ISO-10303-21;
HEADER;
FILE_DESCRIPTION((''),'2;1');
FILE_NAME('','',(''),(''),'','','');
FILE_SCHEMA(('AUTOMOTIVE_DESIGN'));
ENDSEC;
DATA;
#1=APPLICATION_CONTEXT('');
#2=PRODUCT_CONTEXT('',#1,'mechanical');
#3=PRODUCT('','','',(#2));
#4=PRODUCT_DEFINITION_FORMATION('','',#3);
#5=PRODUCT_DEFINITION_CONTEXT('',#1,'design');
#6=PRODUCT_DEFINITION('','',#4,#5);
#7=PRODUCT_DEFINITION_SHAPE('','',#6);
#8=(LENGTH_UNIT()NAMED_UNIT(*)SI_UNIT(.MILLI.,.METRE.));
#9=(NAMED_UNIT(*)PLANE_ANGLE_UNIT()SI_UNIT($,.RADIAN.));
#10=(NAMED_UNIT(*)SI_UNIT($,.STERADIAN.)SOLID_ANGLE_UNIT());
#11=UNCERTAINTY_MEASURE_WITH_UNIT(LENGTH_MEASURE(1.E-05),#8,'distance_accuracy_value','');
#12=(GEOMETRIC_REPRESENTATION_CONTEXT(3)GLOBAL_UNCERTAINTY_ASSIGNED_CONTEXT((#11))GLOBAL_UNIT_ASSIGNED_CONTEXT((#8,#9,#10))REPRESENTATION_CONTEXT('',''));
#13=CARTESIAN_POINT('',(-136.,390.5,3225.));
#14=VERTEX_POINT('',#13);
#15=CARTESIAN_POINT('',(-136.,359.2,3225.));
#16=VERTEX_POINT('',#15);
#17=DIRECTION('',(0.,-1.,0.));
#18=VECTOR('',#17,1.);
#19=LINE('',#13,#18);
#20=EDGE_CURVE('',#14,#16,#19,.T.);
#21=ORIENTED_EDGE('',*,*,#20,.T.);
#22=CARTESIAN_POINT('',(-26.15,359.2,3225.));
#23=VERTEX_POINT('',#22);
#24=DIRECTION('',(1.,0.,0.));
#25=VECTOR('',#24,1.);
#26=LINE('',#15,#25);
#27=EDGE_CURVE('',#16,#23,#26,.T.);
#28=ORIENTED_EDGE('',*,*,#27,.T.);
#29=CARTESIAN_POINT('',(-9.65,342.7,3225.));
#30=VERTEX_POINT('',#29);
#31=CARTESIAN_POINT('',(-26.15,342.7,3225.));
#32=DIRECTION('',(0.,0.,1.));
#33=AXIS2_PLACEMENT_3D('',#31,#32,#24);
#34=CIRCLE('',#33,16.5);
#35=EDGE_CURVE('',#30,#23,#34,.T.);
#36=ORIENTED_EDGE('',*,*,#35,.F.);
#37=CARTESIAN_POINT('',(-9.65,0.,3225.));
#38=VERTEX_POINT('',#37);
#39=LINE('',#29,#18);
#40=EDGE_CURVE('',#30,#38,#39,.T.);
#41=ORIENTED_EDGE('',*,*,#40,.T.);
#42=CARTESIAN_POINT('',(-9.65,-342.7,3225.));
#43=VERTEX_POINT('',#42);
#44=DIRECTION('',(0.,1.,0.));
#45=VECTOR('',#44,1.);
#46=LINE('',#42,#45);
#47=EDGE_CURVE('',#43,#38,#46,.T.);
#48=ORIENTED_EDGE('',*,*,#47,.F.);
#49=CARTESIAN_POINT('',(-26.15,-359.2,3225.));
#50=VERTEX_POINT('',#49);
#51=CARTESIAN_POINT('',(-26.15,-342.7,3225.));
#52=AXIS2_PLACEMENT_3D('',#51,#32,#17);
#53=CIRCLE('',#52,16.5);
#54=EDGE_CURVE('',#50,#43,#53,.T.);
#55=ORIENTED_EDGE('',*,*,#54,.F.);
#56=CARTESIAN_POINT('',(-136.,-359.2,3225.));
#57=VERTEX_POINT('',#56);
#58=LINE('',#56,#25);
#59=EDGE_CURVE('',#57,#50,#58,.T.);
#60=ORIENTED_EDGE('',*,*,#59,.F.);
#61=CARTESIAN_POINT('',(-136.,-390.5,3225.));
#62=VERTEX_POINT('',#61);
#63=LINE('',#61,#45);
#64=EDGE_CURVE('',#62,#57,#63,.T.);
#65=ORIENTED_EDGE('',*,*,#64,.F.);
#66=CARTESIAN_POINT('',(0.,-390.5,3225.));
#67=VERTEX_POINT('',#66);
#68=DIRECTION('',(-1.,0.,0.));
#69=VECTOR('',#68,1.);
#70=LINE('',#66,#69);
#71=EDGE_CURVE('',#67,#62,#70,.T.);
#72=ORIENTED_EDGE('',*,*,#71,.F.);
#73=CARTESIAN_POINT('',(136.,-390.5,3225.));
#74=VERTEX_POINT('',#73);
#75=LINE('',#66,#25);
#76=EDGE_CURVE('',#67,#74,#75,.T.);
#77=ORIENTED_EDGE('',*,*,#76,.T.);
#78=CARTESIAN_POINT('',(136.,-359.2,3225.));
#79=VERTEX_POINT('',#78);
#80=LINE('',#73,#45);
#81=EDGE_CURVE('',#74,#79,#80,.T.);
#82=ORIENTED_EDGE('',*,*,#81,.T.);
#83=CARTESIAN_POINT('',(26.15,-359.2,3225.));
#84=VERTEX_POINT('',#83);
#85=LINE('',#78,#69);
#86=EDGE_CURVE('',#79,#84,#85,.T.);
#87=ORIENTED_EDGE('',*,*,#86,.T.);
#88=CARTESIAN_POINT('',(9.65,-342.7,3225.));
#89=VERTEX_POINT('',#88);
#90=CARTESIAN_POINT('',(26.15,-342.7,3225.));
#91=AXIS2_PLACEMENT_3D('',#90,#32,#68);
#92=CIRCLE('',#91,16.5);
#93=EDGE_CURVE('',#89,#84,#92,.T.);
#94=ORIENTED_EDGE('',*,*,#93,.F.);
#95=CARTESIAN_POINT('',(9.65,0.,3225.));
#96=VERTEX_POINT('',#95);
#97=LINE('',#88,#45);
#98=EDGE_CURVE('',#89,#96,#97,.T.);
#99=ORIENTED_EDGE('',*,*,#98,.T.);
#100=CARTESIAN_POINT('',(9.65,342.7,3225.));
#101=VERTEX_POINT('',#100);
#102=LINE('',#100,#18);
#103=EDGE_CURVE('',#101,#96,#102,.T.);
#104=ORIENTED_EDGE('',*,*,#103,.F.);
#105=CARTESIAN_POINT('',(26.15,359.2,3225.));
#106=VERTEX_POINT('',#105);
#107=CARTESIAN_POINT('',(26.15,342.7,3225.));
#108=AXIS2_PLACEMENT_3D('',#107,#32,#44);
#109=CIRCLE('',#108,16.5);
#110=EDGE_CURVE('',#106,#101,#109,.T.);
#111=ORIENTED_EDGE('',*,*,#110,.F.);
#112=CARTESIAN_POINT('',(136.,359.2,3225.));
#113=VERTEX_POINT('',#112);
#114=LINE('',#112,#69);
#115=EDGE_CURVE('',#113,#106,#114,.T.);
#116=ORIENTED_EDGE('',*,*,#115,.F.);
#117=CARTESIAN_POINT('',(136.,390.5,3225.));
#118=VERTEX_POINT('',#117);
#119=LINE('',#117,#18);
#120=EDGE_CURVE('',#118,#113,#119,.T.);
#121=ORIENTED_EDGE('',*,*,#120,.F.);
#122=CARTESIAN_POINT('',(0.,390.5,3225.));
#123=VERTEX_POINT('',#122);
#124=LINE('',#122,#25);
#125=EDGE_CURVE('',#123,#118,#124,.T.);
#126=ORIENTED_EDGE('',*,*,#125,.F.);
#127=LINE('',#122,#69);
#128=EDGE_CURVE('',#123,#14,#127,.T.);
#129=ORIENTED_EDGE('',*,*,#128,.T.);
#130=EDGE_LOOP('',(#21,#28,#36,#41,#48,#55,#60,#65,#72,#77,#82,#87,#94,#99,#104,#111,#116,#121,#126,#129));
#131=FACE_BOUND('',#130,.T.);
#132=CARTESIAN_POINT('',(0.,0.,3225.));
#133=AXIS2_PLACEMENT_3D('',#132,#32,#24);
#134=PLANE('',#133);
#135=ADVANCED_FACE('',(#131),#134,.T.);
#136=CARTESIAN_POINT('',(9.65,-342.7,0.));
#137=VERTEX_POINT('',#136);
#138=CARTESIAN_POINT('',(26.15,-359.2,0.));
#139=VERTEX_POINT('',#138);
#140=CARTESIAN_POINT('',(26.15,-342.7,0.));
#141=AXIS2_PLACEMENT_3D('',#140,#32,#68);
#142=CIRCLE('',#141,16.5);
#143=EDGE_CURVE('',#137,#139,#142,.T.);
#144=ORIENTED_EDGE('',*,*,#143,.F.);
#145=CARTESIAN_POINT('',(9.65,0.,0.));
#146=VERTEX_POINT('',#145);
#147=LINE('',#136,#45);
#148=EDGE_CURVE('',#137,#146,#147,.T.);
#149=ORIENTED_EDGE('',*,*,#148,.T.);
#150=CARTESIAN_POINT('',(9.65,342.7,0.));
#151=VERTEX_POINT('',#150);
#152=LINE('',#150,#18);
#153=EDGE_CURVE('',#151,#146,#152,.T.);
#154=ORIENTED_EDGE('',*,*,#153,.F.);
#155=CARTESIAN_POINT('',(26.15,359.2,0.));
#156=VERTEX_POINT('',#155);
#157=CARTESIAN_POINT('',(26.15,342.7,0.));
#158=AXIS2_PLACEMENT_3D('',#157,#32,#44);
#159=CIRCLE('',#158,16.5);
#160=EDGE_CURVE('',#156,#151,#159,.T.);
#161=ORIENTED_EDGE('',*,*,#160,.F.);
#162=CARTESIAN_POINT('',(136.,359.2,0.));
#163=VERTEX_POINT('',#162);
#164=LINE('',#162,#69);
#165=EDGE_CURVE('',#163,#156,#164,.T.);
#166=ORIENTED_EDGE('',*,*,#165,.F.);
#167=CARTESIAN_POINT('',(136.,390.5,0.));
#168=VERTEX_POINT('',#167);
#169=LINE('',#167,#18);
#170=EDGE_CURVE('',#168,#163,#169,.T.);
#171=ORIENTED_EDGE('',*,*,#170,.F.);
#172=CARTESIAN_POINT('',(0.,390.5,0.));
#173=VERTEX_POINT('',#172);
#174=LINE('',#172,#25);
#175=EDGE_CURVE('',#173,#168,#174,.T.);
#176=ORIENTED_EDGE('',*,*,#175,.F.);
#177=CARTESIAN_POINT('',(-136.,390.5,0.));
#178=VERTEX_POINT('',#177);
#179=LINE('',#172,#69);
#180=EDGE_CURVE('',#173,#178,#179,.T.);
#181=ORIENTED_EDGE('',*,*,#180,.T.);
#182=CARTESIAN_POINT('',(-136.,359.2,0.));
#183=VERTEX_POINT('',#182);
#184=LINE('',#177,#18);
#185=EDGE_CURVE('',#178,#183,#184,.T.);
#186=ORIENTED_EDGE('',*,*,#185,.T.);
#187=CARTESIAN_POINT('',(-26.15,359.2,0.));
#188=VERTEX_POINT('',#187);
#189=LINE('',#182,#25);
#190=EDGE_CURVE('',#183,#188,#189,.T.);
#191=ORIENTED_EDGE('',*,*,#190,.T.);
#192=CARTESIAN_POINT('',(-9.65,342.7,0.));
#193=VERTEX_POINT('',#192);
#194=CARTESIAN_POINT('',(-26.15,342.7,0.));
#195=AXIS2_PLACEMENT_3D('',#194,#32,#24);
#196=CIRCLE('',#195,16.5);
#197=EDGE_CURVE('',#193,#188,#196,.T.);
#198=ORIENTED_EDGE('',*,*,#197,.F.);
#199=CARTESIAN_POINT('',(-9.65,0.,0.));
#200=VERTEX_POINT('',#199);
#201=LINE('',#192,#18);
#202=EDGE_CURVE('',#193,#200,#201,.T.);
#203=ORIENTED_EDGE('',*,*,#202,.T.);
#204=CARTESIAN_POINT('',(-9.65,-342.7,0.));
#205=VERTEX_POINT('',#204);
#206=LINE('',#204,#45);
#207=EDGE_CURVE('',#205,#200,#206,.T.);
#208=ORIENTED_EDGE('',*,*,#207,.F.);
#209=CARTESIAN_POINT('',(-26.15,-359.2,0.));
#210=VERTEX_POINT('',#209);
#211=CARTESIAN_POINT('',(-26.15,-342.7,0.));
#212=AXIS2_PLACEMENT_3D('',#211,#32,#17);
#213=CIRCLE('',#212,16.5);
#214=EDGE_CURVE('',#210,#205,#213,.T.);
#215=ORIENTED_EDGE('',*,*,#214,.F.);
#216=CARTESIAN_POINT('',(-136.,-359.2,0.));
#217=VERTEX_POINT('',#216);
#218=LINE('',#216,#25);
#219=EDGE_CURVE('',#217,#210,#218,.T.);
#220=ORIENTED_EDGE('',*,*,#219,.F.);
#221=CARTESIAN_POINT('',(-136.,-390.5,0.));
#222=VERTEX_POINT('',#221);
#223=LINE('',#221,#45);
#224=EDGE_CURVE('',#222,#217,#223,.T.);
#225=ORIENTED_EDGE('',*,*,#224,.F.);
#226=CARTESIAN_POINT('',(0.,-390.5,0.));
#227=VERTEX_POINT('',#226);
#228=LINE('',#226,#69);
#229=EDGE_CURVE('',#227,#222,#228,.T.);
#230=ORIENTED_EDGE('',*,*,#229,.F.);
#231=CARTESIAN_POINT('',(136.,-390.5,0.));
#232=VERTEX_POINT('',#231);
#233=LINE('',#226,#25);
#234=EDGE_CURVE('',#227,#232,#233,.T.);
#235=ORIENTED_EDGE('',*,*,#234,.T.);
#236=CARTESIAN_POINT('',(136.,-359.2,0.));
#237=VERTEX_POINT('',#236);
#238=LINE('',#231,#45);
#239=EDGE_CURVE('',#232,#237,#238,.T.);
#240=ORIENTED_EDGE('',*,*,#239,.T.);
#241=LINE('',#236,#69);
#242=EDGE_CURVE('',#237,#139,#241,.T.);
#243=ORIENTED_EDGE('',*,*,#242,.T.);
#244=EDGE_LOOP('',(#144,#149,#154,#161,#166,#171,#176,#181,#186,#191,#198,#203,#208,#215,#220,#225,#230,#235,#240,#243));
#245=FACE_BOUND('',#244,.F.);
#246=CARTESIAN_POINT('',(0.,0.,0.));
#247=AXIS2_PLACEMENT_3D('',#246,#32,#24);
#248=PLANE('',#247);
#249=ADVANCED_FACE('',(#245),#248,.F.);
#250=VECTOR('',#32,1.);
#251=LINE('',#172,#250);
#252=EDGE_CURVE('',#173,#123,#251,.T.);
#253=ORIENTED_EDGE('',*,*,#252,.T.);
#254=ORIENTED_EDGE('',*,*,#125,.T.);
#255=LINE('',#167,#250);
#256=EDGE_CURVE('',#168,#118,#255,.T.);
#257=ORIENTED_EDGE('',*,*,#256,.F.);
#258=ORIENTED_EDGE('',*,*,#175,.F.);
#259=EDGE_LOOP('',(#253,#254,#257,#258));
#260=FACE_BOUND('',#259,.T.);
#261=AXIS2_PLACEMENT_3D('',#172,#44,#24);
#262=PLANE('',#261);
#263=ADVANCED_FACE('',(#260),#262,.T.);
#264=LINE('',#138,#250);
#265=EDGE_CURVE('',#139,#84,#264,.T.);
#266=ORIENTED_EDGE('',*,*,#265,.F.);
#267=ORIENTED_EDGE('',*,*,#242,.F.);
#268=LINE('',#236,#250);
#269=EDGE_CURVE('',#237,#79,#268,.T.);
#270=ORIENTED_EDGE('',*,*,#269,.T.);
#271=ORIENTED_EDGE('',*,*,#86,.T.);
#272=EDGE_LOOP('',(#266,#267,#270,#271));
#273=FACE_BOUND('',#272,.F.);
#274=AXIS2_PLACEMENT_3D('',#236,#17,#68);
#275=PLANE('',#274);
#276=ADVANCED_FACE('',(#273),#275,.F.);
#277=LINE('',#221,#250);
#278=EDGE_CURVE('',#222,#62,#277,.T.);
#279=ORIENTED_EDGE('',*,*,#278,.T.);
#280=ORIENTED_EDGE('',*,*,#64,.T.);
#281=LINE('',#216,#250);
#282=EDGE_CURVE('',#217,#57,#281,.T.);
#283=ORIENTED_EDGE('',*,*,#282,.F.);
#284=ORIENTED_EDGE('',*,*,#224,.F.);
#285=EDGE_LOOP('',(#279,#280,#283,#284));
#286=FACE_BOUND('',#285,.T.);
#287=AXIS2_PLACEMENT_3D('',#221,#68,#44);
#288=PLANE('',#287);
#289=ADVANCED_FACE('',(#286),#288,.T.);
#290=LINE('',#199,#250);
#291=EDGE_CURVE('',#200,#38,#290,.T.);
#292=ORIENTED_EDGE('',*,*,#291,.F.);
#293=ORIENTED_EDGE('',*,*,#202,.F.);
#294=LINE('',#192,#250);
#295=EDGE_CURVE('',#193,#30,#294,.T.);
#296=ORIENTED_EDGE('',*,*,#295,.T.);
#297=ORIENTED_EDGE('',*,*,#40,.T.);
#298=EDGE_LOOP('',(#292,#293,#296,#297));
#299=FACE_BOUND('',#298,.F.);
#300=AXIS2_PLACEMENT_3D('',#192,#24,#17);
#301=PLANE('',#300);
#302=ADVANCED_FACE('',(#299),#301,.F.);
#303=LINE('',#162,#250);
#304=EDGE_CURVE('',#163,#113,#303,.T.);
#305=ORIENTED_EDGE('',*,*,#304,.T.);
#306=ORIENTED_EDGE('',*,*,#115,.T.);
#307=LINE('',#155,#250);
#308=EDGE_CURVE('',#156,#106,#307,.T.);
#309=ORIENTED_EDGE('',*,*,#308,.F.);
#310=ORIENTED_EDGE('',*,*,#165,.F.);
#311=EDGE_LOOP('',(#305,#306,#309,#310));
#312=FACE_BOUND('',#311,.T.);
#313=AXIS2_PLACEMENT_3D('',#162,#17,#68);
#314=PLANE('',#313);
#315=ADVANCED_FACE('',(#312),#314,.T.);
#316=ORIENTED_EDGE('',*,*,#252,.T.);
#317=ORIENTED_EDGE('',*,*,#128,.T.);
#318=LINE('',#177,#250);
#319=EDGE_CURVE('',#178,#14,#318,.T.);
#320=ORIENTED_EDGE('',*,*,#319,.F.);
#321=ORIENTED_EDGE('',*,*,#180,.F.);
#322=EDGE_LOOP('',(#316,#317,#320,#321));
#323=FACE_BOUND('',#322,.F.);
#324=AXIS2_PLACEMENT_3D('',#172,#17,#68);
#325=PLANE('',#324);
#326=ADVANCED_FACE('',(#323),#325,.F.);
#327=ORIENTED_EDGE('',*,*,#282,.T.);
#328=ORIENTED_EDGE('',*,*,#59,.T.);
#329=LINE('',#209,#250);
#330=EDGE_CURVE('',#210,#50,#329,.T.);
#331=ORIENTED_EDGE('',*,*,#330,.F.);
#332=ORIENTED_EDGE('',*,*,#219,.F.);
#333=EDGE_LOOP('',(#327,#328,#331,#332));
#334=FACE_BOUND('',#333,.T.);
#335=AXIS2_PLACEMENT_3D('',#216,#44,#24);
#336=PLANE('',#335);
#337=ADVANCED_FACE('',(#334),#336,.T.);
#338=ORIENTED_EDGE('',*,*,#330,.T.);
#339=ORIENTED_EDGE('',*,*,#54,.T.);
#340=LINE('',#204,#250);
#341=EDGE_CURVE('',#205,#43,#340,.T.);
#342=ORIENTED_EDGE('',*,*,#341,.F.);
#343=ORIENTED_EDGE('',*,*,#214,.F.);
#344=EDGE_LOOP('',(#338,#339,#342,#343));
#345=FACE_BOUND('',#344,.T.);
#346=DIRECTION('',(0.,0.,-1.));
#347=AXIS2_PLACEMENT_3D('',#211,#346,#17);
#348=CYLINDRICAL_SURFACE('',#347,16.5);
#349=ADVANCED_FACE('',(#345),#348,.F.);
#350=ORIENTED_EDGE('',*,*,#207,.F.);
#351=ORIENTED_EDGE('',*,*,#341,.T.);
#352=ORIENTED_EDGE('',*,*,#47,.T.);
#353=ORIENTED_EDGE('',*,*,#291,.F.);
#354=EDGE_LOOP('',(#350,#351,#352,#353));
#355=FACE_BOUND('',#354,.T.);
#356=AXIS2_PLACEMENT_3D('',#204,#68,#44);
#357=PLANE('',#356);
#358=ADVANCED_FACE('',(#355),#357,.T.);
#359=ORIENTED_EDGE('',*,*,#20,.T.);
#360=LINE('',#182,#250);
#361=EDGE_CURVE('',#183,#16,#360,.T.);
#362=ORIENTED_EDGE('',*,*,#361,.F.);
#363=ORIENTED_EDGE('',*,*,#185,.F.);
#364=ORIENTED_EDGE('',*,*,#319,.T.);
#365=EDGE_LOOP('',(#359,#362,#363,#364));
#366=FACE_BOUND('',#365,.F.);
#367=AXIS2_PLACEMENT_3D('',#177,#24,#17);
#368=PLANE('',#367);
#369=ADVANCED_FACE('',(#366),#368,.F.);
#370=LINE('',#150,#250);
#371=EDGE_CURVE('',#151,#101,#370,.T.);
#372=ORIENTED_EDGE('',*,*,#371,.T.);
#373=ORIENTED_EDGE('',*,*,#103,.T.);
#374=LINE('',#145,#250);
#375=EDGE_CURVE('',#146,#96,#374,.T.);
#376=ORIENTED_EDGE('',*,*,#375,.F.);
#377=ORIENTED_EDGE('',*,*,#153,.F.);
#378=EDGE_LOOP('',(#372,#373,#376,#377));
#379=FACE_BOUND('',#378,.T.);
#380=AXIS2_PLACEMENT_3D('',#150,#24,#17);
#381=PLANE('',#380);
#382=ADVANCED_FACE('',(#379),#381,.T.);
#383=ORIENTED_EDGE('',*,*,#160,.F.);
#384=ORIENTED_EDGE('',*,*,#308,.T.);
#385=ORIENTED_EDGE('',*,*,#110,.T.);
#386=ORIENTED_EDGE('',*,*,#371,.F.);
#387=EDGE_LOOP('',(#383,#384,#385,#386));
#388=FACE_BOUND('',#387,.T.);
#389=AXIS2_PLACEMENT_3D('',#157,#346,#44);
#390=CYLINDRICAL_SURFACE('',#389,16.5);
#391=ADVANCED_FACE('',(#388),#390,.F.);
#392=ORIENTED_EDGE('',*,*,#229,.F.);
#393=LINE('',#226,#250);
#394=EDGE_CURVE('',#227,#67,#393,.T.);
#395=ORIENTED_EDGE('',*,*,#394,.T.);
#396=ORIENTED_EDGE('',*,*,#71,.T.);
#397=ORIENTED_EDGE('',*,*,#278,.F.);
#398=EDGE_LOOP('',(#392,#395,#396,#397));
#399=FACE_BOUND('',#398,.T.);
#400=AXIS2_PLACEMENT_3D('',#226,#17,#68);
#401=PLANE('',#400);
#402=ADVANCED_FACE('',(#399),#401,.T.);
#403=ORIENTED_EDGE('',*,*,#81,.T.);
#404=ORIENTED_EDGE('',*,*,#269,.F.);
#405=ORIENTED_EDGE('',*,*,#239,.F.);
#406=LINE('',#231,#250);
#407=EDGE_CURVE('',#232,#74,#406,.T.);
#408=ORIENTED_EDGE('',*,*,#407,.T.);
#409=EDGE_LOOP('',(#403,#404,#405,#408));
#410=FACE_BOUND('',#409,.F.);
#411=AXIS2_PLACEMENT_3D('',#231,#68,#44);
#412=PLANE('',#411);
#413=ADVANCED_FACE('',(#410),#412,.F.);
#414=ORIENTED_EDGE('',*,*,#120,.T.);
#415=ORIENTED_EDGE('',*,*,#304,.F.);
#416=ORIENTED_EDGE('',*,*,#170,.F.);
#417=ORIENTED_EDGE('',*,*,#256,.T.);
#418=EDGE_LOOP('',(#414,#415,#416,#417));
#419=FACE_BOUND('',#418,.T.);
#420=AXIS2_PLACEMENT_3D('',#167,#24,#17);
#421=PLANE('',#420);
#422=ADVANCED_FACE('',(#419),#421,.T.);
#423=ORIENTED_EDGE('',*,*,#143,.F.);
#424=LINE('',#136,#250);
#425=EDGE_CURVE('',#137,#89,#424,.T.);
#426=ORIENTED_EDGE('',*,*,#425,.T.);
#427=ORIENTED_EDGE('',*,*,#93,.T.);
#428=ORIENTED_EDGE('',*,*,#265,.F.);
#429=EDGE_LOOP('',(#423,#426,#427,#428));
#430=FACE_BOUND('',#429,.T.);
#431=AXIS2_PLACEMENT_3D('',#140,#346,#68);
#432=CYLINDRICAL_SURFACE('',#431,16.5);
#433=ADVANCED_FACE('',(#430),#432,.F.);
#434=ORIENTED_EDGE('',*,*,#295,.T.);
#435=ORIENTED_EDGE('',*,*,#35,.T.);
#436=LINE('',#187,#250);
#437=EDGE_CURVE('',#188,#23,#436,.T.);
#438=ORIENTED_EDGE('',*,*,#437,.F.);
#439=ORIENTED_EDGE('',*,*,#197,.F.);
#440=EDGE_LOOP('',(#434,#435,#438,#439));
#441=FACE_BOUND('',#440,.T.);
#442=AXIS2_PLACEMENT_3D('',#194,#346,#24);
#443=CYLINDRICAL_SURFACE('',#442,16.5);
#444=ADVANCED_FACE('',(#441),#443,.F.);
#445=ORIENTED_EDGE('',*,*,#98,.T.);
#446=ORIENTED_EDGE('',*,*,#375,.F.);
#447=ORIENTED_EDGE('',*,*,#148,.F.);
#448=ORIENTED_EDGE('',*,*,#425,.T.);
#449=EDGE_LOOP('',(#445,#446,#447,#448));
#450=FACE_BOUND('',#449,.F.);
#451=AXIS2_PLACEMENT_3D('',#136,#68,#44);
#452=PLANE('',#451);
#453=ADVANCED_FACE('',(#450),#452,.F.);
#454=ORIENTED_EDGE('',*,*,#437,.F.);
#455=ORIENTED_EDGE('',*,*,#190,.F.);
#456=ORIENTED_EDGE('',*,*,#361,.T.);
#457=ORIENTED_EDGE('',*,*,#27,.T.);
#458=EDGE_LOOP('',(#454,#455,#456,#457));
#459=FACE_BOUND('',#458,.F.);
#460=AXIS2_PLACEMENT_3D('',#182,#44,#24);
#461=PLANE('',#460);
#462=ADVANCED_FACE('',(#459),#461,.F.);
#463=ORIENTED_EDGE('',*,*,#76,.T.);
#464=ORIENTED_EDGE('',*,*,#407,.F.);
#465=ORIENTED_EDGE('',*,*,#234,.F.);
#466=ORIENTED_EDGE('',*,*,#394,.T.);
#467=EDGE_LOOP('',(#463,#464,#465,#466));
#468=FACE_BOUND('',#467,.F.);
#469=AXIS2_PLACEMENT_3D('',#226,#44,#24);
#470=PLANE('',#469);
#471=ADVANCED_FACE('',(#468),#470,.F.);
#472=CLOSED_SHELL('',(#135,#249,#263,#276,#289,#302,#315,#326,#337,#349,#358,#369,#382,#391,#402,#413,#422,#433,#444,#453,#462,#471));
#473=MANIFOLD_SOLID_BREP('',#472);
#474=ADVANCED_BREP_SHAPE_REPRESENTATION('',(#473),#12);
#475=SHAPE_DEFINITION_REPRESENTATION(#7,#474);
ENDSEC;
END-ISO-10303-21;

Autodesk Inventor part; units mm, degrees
ref_plane "YZ Plane" through (0, 0, 0) normal (1, 0, 0) x (0, 1, 0)
ref_plane "Start plane" through (0, 0, 0) normal (0, 0, 1) x (1, 0, 0)
ref_plane "End plane" through (0, 0, 3225) normal (0, 0, 1) x (1, 0, 0)
sketch "Sketch" plane through (0, 0, 0) normal (0, 0, 1) x (1, 0, 0)
  line L0 (-136, -390.5) -> (-136, -359.2)
  line L1 (-136, -359.2) -> (-26.15, -359.2)
  line L2 (-9.65, -342.7) -> (-9.65, 0)
  line L3 (-9.65, 0) -> (0, 0) construction
  line L4 (0, 0) -> (0, -390.5) construction
  line L5 (0, -390.5) -> (-136, -390.5)
  line L6 (-60, 0) -> (80, 0) construction
  line L7 (0, -60) -> (0, 80) construction
  line L8 (136, -390.5) -> (136, -359.2)
  line L9 (136, -359.2) -> (26.15, -359.2)
  line L10 (9.65, -342.7) -> (9.65, 0)
  line L11 (9.65, 0) -> (0, 0) construction
  line L12 (0, -390.5) -> (136, -390.5)
  line L13 (-136, 390.5) -> (-136, 359.2)
  line L14 (-136, 359.2) -> (-26.15, 359.2)
  line L15 (-9.65, 342.7) -> (-9.65, 0)
  line L16 (0, 390.5) -> (-136, 390.5)
  line L17 (136, 390.5) -> (136, 359.2)
  line L18 (136, 359.2) -> (26.15, 359.2)
  line L19 (0, 390.5) -> (136, 390.5)
  line L20 (9.65, 342.7) -> (9.65, 0)
  arc A0 (-9.65, 342.7) -> (-26.15, 359.2) centre (-26.15, 342.7) ccw
  arc A1 (26.15, 359.2) -> (9.65, 342.7) centre (26.15, 342.7) ccw
  arc A2 (9.65, -342.7) -> (26.15, -359.2) centre (26.15, -342.7) ccw
  arc A3 (-26.15, -359.2) -> (-9.65, -342.7) centre (-26.15, -342.7) ccw
  line L21 (0, 108) -> (0, -88) construction
  line L22 (-88, 0) -> (108, 0) construction
  point P0 (-9.65, -359.2)
  point P1 (9.65, -359.2)
  point P2 (-9.65, 359.2)
  point P3 (9.65, 359.2)
  dimension "d1" = 390.5
  dimension "d2" = 31.3
  dimension "d3" = 136
  dimension "d4" = 9.65
  dimension "d10" = 16.5
extrude "Body" add sketch "Sketch" along normal up to surface (3225 mm away) from surface at 0
sketch "Sketch4" plane through (0, 0, 0) normal (0, 0, 1) x (1, 0, 0)
  line L0 (0, 0) -> (10, 0)
ref_plane "Work Plane3" through (0, 0, 0) normal (0, -1, 0) x (1, 0, 0)
sketch "Sketch5" plane through (0, 0, 0) normal (0, -1, 0) x (1, 0, 0)
  line L0 (-2, 0) -> (12, 0) projected
  line L1 (-2, 3225) -> (12, 3225) projected
  dimension "d14" = 3225
equation "\"d1\" = 0.5 * G_H"
equation "\"d2\" = G_T1"
equation "\"d3\" = 0.5 * G_W"
equation "\"d4\" = 0.5 * G_T"
equation "\"d10\" = G_IR"
equation "\"d5\" = G_L"
equation "\"G_W\" = 272"
equation "\"G_H\" = 781"
equation "\"G_T\" = 19.3"
equation "\"G_T1\" = 31.3"
equation "\"G_IR\" = 16.5"
equation "\"G_L\" = d14"
equation "\"G_OFFSET_START\" = 0"
equation "\"G_OFFSET_END\" = 0"
equation "\"d12\" = G_OFFSET_END + B_L"
equation "\"B_L\" = 3225"
properties part number "AS 3679-1990 - 760 UB - 244 - 3225" material "Steel, Mild"
